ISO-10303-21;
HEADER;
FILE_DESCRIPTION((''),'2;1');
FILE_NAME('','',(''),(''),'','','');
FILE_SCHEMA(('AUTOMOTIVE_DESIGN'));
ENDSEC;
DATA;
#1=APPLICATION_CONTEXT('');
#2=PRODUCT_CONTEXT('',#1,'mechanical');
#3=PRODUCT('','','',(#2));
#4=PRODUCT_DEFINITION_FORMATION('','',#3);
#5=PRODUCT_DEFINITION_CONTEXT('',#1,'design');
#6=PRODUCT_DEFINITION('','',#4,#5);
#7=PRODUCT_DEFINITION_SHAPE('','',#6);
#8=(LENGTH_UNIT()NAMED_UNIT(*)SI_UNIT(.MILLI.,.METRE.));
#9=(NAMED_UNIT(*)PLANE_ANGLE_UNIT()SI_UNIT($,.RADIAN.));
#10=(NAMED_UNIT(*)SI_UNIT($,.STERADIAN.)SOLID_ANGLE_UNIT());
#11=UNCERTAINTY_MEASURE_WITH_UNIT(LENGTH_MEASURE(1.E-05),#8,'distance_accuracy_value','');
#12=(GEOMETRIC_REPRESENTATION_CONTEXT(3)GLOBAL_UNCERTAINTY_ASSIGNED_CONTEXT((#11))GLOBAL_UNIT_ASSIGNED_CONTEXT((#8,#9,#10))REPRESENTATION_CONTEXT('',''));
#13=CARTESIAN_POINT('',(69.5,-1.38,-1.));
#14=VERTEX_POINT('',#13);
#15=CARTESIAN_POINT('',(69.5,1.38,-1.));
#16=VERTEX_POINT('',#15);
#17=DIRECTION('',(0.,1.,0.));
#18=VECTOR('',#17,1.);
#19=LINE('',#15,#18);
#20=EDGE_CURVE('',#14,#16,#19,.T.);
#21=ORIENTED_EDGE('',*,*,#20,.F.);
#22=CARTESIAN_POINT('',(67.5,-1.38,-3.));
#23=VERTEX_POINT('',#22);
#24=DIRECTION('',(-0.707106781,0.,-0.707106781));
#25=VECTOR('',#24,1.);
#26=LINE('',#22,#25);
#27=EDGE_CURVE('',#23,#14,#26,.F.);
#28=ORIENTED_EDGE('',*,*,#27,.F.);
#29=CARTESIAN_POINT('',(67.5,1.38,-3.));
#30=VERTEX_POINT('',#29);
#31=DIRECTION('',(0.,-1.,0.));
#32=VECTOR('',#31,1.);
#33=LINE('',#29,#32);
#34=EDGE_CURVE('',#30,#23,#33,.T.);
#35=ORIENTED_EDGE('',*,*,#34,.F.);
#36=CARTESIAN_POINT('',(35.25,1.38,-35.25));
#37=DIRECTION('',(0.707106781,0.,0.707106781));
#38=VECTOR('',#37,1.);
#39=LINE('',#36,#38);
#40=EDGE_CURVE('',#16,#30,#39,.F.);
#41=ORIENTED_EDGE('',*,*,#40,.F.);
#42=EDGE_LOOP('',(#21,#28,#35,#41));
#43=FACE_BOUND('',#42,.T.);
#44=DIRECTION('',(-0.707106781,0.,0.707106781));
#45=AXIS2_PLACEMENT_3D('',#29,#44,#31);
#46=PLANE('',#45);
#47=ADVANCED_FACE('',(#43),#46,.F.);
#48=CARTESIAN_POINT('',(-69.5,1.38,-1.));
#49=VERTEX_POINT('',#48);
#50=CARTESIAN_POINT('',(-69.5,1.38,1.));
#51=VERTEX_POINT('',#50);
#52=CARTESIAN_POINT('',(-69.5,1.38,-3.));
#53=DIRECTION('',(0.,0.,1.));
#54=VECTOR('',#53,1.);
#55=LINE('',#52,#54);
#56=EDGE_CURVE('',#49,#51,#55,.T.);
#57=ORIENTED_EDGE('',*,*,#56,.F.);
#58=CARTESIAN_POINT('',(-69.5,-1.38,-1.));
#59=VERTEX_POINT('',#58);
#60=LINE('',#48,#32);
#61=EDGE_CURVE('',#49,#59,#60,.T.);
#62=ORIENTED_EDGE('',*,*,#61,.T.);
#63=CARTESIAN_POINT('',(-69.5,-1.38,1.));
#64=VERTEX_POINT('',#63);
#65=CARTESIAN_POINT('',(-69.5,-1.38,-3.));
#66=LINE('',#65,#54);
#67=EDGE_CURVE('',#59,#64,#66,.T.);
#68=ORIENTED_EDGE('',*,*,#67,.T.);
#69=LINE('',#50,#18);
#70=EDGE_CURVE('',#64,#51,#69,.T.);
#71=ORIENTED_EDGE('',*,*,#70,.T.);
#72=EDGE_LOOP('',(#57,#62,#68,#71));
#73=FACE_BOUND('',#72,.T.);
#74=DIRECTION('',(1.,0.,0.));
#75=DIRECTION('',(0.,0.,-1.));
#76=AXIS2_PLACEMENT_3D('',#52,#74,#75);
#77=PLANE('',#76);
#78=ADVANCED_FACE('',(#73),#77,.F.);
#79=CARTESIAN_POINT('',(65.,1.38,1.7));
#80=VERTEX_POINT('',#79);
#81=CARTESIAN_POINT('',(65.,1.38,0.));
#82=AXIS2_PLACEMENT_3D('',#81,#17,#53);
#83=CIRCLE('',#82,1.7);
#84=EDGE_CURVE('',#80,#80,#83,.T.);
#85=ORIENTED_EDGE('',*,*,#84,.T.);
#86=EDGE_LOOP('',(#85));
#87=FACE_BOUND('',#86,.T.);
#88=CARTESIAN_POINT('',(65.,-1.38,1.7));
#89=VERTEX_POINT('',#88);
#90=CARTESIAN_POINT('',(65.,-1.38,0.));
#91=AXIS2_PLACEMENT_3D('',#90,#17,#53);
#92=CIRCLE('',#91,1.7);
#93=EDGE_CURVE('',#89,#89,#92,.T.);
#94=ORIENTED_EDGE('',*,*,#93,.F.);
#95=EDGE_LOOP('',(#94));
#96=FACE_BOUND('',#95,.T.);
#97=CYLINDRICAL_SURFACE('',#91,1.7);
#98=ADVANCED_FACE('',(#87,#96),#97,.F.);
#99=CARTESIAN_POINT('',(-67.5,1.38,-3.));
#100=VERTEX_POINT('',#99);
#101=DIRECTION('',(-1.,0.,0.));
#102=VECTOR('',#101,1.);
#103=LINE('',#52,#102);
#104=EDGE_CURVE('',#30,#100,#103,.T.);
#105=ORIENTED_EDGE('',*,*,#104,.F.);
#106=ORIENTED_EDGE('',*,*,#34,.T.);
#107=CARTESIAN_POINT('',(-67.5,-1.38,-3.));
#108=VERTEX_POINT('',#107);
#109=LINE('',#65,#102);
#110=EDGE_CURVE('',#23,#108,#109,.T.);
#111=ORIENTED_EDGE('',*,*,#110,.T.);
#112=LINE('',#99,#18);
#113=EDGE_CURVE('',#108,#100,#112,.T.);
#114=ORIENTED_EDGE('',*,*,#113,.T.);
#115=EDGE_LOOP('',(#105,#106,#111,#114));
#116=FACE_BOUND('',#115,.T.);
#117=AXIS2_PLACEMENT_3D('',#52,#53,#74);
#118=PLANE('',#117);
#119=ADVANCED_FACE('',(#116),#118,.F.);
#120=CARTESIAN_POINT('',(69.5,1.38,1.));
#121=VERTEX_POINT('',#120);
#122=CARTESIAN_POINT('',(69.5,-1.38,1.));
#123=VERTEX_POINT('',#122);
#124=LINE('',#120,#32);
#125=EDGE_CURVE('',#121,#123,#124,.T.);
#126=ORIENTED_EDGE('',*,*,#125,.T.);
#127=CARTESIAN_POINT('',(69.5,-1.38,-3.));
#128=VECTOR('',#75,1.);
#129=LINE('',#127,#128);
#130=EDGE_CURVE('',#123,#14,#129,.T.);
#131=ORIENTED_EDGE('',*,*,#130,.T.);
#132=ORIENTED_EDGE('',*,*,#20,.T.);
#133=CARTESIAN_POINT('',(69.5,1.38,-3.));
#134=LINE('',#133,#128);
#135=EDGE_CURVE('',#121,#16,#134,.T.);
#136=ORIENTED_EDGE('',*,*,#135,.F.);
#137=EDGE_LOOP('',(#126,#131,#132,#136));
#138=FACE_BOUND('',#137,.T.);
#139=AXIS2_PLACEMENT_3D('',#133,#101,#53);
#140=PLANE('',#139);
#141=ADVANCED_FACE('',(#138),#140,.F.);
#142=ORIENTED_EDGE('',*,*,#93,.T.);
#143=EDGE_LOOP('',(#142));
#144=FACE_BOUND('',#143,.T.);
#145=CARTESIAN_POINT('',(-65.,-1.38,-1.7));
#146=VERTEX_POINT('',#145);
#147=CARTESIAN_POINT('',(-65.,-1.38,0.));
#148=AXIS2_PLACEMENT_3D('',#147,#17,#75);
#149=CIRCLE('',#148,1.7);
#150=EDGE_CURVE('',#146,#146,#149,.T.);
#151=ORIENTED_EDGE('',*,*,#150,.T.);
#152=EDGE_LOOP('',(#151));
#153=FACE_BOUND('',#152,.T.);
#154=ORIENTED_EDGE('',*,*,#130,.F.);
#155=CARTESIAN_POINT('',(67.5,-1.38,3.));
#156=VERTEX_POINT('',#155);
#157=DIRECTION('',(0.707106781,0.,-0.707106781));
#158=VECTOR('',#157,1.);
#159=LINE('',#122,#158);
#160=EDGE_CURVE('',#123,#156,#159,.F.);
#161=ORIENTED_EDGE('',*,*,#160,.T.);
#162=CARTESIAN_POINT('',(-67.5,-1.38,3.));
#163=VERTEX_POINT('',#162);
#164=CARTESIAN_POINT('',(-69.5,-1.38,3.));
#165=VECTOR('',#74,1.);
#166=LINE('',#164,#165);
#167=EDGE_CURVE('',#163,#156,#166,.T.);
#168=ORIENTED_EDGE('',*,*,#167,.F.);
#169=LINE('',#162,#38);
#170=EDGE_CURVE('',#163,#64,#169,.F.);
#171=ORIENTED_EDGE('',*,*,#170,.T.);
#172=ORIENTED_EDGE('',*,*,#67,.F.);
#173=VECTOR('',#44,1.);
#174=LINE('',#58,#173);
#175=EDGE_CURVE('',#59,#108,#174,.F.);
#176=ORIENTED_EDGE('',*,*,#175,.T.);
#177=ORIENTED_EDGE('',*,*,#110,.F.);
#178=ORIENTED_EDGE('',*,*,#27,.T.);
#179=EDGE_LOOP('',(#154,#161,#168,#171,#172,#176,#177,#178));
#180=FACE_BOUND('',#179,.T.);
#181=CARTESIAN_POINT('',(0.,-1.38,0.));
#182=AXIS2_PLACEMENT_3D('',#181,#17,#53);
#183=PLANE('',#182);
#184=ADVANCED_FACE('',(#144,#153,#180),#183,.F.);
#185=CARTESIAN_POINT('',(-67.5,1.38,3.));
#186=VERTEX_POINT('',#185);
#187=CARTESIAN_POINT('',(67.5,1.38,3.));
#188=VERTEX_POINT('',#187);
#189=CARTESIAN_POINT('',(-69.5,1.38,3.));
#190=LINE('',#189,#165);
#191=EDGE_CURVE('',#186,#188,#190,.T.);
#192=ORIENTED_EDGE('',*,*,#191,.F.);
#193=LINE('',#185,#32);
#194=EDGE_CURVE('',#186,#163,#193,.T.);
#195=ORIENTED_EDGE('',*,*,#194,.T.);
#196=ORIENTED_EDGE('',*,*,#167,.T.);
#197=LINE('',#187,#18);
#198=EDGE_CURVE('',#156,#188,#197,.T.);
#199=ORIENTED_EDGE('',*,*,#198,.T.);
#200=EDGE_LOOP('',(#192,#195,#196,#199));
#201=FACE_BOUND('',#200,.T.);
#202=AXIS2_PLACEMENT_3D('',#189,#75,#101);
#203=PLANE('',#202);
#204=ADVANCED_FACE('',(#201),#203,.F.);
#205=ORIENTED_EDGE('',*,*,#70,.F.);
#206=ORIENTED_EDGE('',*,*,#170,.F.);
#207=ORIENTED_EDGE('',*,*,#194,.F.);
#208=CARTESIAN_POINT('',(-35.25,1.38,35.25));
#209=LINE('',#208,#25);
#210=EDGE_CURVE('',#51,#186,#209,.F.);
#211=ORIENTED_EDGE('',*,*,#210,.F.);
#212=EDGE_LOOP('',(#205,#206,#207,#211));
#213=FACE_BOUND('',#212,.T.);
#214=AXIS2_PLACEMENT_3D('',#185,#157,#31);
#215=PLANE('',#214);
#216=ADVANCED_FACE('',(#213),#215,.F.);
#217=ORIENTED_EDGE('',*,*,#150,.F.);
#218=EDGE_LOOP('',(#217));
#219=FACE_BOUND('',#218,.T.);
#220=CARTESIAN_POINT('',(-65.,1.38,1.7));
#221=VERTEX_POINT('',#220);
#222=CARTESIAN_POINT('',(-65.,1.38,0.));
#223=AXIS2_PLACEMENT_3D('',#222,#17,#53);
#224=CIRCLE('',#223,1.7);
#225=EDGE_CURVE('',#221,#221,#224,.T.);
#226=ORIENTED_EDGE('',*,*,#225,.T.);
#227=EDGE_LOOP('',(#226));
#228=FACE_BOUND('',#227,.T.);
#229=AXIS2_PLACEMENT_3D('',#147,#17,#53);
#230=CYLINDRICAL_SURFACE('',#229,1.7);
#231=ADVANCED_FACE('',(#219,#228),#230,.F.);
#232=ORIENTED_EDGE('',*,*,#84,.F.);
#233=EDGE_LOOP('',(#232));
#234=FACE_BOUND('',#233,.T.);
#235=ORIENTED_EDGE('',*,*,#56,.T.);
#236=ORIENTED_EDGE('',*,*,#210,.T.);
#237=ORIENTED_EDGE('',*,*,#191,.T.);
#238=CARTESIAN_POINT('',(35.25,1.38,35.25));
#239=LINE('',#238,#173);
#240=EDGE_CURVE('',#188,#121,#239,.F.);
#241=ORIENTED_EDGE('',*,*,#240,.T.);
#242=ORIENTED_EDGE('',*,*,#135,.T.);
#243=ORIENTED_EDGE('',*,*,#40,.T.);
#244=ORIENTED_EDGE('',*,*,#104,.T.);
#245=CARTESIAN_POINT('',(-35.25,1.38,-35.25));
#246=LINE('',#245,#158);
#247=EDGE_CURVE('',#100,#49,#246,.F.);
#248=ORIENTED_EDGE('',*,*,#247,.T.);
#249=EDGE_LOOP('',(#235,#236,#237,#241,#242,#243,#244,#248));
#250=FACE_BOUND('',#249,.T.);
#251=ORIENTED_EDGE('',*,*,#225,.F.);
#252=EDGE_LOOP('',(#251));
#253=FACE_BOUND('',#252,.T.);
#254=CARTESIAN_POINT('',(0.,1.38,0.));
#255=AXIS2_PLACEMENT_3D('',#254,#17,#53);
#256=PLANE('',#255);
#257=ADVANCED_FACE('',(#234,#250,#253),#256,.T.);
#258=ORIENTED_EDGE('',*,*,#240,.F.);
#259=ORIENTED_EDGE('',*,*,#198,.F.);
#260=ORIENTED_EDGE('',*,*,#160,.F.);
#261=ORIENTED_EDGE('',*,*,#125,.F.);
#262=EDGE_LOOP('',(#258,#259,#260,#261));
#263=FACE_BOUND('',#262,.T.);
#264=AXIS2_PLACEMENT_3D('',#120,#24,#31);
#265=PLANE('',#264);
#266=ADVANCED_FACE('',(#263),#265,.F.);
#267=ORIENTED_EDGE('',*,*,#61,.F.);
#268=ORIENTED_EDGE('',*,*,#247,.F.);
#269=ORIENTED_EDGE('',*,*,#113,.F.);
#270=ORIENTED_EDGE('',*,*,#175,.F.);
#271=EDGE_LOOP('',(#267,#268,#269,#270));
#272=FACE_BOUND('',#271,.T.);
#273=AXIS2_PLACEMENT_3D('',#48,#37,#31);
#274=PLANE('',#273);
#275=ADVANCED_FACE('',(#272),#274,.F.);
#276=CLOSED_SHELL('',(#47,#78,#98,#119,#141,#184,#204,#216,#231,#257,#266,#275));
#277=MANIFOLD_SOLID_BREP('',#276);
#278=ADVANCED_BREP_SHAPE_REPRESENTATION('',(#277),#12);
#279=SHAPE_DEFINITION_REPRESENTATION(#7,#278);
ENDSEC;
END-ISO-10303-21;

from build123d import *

# Parameters (mm, degrees)
SKETCH1_W               = 139
SKETCH1_H               = 6
BOSS_EXTRUDE1_DEPTH     = 1.38
CUT_EXTRUDE4_DEPTH      = 70.619448432
CUT_EXTRUDE4_DEPTH_BACK = 70.619448432
SKETCH8_R               = 1.7
CHAMFER2_SIZE           = 2


with BuildPart() as part:
    # Sketch1 → Boss-Extrude1 (new, symmetric)
    with BuildSketch(Plane(origin=(0, 0, 0), x_dir=(1, 0, 0), z_dir=(0, 1, 0))):
        Rectangle(SKETCH1_W, SKETCH1_H)
    extrude(amount=BOSS_EXTRUDE1_DEPTH, both=True)

    # Sketch8 → Cut-Extrude4 (cut, two sides: drawn at the far end of the back side and taken through both)
    with BuildSketch(Plane(origin=(0, 1.38, 0), x_dir=(1, 0, 0), z_dir=(0, 1, 0)).offset(-CUT_EXTRUDE4_DEPTH_BACK)):
        with Locations(Location((65, 0, 0), (0, 0, 270))):
            Circle(SKETCH8_R)
        with Locations(Location((-65, 0, 0), (0, 0, 270))):
            Circle(SKETCH8_R)
    extrude(amount=CUT_EXTRUDE4_DEPTH + CUT_EXTRUDE4_DEPTH_BACK, mode=Mode.SUBTRACT)

    # Chamfer2
    chamfer2_edges = [part.edges().sort_by_distance(p)[0] for p in [
        (69.5, 0, 3),
        (-69.5, 0, 3),
        (-69.5, 0, -3),
        (69.5, 0, -3),
    ]]
    chamfer(chamfer2_edges, length=CHAMFER2_SIZE)


solid = part.part
